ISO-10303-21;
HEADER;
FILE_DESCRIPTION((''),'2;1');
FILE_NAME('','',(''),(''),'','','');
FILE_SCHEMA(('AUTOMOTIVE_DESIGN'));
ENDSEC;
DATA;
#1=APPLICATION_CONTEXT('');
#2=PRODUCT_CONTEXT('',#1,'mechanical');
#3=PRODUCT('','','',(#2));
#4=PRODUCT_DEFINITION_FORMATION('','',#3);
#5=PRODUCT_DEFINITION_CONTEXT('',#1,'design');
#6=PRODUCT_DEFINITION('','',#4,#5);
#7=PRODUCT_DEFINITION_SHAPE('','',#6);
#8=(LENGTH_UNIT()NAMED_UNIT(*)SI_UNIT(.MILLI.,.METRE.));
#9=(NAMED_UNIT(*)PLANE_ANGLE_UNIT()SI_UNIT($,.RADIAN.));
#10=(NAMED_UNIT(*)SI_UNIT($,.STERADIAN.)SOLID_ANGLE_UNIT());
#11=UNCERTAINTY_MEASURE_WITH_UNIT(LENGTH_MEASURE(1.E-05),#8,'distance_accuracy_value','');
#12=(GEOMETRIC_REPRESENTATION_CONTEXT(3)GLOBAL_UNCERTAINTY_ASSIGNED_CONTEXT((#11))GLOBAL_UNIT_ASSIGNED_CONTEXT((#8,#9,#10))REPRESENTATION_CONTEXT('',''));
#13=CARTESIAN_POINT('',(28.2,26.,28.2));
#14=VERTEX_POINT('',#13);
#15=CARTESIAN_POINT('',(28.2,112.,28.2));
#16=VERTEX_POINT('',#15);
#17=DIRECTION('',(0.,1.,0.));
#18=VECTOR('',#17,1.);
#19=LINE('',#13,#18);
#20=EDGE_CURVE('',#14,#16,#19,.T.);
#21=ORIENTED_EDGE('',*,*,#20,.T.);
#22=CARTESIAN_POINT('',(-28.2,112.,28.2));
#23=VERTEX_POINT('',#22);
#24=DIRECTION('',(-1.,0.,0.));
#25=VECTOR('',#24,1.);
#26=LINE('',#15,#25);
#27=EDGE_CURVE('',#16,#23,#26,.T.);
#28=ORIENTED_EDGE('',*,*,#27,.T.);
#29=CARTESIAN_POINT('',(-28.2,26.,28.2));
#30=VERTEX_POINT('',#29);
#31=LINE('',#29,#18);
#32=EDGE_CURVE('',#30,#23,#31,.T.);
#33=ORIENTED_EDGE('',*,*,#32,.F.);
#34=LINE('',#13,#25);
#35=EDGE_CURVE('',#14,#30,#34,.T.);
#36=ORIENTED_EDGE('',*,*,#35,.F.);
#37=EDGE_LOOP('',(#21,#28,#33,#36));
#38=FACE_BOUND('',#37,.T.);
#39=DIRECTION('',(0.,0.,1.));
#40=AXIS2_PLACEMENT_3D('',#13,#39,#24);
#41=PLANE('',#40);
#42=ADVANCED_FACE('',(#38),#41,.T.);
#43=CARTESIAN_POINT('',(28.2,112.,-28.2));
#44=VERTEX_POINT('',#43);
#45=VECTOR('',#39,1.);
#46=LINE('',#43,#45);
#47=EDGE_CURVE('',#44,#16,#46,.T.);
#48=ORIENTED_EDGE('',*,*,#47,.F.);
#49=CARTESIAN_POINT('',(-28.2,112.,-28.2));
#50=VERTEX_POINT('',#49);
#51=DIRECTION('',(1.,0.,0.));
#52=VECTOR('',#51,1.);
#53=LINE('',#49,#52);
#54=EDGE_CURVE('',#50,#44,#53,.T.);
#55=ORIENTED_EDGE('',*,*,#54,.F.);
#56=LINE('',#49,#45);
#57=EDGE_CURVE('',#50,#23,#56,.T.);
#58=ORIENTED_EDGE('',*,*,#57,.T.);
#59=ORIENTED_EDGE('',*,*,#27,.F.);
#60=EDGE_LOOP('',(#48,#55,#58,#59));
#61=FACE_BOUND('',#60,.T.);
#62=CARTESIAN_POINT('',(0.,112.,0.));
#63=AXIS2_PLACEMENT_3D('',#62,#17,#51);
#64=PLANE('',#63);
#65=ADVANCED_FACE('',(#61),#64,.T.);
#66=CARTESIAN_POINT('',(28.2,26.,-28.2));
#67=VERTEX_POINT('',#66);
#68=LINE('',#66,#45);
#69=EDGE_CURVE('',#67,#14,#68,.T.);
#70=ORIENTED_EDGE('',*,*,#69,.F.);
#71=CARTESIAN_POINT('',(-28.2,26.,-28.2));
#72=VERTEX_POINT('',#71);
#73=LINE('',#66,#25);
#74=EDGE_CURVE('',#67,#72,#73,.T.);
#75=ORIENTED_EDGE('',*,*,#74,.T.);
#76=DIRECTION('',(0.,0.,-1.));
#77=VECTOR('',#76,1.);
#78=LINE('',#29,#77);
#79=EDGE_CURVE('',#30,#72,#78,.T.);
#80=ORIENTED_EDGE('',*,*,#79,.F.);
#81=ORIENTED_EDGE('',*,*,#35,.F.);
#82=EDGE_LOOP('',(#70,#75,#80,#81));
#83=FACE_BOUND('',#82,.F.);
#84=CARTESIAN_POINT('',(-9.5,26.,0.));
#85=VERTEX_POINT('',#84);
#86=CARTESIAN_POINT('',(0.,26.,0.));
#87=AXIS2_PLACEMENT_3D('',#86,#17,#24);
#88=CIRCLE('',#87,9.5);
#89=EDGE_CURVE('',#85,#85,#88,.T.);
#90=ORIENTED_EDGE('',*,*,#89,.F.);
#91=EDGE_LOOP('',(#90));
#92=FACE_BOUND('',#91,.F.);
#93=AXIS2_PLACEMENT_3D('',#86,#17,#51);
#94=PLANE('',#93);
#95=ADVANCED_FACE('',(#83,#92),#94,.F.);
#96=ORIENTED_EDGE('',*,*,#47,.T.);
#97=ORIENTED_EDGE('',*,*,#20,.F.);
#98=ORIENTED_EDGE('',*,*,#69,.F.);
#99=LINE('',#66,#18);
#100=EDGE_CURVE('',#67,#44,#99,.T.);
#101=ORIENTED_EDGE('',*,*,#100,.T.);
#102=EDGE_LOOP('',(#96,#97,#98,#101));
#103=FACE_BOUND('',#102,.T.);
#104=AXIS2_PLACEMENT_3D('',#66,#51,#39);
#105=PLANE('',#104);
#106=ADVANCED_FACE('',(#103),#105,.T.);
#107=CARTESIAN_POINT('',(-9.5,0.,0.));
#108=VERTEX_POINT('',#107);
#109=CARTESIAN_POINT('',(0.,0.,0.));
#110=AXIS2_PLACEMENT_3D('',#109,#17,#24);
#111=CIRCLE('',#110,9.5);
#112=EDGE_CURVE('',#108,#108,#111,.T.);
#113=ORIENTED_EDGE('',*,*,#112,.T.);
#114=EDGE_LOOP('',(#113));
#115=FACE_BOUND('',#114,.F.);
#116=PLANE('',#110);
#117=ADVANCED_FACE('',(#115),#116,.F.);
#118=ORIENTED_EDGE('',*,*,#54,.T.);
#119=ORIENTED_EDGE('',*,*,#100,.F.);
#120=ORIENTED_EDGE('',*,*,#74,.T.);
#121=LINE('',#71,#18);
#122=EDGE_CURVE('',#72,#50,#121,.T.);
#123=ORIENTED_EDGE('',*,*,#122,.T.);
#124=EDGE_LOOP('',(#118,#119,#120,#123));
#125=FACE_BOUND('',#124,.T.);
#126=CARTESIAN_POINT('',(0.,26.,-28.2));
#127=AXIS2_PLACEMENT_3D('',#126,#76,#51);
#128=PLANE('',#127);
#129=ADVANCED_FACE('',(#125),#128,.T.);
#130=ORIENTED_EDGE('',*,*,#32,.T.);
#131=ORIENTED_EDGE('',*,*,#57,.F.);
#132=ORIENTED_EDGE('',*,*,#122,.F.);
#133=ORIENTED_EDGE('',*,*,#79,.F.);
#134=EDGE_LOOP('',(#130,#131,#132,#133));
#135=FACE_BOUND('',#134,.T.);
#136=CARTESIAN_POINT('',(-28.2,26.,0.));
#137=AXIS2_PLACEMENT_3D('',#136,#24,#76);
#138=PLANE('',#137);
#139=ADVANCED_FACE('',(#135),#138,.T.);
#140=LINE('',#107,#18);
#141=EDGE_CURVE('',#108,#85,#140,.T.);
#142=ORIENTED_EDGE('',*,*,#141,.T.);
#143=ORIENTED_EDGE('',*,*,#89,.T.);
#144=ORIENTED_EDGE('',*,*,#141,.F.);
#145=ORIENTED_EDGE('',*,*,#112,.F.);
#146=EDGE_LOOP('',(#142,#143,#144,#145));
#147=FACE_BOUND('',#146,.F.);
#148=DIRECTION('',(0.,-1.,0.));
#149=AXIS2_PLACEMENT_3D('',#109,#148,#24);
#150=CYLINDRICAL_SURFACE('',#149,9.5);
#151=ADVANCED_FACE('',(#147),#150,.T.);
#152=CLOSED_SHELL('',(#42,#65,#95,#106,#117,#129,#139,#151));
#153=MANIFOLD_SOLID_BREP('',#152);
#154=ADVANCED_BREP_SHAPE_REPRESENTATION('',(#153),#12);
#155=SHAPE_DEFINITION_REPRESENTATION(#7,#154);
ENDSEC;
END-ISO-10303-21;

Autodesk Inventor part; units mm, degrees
ref_plane "YZ Plane" through (0, 0, 0) normal (1, 0, 0) x (0, 1, 0)
ref_plane "XZ Plane" through (0, 0, 0) normal (0, 1, 0) x (-1, 0, 0)
ref_plane "XY Plane" through (0, 0, 0) normal (0, 0, 1) x (1, 0, 0)
sketch "Esboço1" plane through (0, 0, 0) normal (0, 1, 0) x (-1, 0, 0)
  circle A0 centre (0, 0) radius 9.5
  dimension "d2" = 19
extrude "Extrusão1" add sketch "Esboço1" along normal blind 26
sketch "Esboço2" plane through (0, 26, 0) normal (0, 1, 0) x (1, 0, 0)
  line L0 (0, 0) -> (-28.2, 0)
  line L1 (-28.2, 0) -> (-28.2, 28.2)
  line L2 (-28.2, 28.2) -> (0, 28.2)
  line L3 (0, 28.2) -> (0, 0)
  line L4 (-28.2, 28.2) -> (28.2, 28.2)
  line L5 (28.2, 28.2) -> (28.2, -28.2)
  line L6 (28.2, -28.2) -> (-28.2, -28.2)
  line L7 (-28.2, -28.2) -> (-28.2, 28.2)
  dimension "d5" = 28.2
  dimension "d6" = 28.2
  dimension "d7" = 56.4
  dimension "d8" = 56.4
extrude "Extrusão2" add sketch "Esboço2" along normal blind 86
properties part number "Motor"
